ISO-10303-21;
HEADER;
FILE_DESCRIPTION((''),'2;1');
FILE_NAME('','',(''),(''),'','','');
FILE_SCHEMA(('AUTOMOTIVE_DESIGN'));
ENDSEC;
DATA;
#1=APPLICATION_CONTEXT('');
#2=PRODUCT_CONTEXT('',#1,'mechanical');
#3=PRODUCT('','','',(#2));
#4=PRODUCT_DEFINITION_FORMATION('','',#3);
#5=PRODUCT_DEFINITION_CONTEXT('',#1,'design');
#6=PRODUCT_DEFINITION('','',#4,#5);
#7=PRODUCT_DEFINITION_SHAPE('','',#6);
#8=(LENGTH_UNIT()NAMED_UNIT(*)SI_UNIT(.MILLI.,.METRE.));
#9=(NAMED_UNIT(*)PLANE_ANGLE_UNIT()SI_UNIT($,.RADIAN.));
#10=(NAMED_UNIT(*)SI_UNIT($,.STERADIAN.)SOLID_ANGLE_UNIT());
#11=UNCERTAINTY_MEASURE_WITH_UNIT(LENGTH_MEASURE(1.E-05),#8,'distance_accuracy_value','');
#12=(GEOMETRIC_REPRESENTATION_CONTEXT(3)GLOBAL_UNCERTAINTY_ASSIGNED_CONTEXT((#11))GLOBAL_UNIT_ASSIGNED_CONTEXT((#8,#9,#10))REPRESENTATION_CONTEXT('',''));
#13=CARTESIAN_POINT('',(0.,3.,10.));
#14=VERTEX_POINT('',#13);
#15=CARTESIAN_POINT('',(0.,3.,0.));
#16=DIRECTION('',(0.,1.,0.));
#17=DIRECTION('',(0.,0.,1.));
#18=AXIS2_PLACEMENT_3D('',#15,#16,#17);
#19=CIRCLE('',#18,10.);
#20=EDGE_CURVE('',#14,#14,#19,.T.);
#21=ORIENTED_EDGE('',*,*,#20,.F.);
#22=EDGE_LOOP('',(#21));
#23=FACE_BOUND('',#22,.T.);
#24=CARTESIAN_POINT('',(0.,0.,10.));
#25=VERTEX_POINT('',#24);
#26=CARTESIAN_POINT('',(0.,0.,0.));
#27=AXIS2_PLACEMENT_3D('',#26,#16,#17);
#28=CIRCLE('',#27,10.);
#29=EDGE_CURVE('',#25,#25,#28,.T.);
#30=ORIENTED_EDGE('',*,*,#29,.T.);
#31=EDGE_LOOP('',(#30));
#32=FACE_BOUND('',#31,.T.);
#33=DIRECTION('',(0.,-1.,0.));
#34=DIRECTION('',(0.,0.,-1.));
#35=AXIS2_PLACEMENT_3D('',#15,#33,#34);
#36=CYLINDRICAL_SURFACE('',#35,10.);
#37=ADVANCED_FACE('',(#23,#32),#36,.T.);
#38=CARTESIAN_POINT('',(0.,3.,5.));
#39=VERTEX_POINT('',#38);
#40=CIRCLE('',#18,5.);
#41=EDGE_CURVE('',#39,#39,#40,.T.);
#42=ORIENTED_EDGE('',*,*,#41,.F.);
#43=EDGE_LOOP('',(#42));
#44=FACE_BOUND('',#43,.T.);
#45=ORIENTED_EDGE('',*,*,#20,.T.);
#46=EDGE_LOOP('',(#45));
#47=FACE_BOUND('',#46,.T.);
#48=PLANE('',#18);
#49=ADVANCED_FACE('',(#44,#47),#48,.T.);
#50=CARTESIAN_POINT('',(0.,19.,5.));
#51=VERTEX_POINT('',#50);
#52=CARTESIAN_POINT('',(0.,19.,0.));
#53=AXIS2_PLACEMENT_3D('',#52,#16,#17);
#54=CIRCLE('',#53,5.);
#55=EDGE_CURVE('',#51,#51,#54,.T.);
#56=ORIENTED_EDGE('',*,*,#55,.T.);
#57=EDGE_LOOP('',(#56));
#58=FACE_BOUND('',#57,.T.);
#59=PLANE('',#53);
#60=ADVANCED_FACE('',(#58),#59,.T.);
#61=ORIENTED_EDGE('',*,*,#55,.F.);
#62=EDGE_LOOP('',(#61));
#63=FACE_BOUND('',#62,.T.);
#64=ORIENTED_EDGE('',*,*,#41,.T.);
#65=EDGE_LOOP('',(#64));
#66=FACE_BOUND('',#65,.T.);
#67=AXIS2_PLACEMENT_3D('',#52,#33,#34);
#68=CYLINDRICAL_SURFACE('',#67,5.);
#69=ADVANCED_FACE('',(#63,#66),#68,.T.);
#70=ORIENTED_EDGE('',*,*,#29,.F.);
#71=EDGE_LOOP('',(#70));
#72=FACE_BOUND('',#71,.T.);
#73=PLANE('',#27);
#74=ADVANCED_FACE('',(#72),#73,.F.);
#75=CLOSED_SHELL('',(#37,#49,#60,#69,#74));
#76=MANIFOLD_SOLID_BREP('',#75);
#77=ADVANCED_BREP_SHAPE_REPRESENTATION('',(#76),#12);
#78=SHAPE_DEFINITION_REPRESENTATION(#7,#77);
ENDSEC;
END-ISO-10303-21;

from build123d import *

# Parameters (mm, degrees)
SKETCH_1_R      = 10
EXTRUDE_1_DEPTH = 3
SKETCH_3_R      = 5
EXTRUDE_2_DEPTH = 16


with BuildPart() as part:
    # 草图1 → 凸台-拉伸1 (new body)
    with BuildSketch(Plane(origin=(0, 0, 0), x_dir=(1, 0, 0), z_dir=(0, 1, 0))):
        Circle(SKETCH_1_R)
    extrude(amount=EXTRUDE_1_DEPTH)

    # 草图3 → 凸台-拉伸2 (add)
    with BuildSketch(Plane(origin=(0, 3, 0), x_dir=(1, 0, 0), z_dir=(0, 1, 0))):
        Circle(SKETCH_3_R)
    extrude(amount=EXTRUDE_2_DEPTH)


solid = part.part
